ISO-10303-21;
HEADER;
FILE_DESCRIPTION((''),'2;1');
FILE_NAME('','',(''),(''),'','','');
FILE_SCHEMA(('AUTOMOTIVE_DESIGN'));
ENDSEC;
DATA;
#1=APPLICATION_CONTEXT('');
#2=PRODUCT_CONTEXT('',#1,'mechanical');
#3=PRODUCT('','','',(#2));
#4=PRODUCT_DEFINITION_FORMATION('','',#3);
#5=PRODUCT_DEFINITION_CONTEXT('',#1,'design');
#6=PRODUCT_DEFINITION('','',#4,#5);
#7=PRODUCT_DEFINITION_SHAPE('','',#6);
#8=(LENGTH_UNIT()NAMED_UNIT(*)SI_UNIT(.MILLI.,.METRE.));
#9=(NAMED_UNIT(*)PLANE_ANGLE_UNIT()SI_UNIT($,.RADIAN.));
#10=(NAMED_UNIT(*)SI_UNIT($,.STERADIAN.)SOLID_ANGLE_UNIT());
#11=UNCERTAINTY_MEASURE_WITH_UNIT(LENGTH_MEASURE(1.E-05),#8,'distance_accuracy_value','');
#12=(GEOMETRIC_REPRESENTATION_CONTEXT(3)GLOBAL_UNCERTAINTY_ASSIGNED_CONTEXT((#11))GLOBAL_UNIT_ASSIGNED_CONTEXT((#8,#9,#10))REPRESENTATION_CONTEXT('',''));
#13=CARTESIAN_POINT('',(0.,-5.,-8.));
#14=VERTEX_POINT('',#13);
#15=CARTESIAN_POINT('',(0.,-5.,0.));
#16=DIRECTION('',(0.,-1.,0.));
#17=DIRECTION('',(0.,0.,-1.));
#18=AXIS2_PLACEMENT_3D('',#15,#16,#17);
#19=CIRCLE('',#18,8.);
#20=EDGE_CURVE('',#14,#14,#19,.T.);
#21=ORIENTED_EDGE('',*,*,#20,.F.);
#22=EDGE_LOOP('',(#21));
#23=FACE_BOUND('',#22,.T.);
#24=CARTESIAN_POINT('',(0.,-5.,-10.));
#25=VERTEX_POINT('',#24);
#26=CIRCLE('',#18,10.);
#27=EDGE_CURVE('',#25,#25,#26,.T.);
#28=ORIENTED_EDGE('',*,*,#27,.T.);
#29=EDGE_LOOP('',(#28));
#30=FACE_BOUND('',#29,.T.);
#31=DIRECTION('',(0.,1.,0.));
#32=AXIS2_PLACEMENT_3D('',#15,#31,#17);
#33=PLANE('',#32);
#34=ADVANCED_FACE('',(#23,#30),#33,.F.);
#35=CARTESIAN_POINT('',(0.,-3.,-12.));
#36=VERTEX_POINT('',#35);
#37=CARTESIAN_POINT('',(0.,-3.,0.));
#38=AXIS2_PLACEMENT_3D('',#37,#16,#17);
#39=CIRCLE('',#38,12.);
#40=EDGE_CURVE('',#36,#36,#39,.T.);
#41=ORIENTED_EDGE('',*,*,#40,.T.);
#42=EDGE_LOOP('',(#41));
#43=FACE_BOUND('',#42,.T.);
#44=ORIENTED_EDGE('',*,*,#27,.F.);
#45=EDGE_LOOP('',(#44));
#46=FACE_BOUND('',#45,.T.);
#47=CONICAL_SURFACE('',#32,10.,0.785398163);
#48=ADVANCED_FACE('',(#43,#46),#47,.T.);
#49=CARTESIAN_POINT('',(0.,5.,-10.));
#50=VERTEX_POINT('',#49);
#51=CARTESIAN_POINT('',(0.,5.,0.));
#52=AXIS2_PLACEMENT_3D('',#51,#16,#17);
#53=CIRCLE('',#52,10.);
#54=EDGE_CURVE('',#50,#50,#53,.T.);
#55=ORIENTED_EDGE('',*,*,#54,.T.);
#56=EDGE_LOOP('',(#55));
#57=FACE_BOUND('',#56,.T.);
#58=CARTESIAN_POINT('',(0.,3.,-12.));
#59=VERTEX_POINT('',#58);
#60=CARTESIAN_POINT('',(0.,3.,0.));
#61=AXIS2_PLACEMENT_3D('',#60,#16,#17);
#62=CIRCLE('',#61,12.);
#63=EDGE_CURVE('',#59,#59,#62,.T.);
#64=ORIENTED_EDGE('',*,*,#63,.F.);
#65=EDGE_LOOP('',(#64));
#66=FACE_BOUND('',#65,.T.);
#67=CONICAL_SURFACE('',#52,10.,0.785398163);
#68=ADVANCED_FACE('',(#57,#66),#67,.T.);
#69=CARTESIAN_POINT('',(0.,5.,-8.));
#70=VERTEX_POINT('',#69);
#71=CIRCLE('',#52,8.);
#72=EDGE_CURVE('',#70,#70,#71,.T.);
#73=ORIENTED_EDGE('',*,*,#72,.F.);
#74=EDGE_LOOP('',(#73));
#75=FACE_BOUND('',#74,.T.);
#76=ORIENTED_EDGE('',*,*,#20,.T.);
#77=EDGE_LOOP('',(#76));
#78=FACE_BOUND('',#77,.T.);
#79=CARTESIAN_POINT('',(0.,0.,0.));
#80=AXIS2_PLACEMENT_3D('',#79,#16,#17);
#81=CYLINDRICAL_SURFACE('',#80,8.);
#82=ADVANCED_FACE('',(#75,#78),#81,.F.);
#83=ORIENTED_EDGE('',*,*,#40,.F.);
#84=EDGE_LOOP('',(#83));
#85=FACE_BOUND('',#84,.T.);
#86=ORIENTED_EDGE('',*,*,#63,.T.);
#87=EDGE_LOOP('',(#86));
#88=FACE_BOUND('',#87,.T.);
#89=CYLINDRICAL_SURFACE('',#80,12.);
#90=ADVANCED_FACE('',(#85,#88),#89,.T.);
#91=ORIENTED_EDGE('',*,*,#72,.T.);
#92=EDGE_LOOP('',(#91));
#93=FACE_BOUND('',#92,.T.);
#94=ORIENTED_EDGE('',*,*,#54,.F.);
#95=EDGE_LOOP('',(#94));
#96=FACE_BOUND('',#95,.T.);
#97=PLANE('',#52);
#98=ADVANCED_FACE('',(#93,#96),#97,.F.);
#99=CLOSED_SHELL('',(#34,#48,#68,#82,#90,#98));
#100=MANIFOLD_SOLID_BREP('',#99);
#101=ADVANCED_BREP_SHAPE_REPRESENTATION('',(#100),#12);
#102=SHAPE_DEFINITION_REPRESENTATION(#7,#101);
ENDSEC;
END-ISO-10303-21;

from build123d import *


with BuildPart() as part:
    # Sketch1 → Revolve2 (revolve)
    with BuildSketch(Plane.XY, mode=Mode.PRIVATE) as revolve2_sk:
        Polygon((8, 5), (8, 0), (12, 0), (12, 3), (10, 5), align=None)
    revolve2 = revolve(revolve2_sk.sketch.rotate(Axis((0, 0, 0), (0, 1, 0)), 90), axis=Axis((0, 0, 0), (0, 1, 0)))

    # Mirror1: Revolve2 across plane
    add(revolve2.mirror(Plane(origin=(0, 0, 0), x_dir=(0, 0, 1), z_dir=(0, -1, 0))))


solid = part.part
